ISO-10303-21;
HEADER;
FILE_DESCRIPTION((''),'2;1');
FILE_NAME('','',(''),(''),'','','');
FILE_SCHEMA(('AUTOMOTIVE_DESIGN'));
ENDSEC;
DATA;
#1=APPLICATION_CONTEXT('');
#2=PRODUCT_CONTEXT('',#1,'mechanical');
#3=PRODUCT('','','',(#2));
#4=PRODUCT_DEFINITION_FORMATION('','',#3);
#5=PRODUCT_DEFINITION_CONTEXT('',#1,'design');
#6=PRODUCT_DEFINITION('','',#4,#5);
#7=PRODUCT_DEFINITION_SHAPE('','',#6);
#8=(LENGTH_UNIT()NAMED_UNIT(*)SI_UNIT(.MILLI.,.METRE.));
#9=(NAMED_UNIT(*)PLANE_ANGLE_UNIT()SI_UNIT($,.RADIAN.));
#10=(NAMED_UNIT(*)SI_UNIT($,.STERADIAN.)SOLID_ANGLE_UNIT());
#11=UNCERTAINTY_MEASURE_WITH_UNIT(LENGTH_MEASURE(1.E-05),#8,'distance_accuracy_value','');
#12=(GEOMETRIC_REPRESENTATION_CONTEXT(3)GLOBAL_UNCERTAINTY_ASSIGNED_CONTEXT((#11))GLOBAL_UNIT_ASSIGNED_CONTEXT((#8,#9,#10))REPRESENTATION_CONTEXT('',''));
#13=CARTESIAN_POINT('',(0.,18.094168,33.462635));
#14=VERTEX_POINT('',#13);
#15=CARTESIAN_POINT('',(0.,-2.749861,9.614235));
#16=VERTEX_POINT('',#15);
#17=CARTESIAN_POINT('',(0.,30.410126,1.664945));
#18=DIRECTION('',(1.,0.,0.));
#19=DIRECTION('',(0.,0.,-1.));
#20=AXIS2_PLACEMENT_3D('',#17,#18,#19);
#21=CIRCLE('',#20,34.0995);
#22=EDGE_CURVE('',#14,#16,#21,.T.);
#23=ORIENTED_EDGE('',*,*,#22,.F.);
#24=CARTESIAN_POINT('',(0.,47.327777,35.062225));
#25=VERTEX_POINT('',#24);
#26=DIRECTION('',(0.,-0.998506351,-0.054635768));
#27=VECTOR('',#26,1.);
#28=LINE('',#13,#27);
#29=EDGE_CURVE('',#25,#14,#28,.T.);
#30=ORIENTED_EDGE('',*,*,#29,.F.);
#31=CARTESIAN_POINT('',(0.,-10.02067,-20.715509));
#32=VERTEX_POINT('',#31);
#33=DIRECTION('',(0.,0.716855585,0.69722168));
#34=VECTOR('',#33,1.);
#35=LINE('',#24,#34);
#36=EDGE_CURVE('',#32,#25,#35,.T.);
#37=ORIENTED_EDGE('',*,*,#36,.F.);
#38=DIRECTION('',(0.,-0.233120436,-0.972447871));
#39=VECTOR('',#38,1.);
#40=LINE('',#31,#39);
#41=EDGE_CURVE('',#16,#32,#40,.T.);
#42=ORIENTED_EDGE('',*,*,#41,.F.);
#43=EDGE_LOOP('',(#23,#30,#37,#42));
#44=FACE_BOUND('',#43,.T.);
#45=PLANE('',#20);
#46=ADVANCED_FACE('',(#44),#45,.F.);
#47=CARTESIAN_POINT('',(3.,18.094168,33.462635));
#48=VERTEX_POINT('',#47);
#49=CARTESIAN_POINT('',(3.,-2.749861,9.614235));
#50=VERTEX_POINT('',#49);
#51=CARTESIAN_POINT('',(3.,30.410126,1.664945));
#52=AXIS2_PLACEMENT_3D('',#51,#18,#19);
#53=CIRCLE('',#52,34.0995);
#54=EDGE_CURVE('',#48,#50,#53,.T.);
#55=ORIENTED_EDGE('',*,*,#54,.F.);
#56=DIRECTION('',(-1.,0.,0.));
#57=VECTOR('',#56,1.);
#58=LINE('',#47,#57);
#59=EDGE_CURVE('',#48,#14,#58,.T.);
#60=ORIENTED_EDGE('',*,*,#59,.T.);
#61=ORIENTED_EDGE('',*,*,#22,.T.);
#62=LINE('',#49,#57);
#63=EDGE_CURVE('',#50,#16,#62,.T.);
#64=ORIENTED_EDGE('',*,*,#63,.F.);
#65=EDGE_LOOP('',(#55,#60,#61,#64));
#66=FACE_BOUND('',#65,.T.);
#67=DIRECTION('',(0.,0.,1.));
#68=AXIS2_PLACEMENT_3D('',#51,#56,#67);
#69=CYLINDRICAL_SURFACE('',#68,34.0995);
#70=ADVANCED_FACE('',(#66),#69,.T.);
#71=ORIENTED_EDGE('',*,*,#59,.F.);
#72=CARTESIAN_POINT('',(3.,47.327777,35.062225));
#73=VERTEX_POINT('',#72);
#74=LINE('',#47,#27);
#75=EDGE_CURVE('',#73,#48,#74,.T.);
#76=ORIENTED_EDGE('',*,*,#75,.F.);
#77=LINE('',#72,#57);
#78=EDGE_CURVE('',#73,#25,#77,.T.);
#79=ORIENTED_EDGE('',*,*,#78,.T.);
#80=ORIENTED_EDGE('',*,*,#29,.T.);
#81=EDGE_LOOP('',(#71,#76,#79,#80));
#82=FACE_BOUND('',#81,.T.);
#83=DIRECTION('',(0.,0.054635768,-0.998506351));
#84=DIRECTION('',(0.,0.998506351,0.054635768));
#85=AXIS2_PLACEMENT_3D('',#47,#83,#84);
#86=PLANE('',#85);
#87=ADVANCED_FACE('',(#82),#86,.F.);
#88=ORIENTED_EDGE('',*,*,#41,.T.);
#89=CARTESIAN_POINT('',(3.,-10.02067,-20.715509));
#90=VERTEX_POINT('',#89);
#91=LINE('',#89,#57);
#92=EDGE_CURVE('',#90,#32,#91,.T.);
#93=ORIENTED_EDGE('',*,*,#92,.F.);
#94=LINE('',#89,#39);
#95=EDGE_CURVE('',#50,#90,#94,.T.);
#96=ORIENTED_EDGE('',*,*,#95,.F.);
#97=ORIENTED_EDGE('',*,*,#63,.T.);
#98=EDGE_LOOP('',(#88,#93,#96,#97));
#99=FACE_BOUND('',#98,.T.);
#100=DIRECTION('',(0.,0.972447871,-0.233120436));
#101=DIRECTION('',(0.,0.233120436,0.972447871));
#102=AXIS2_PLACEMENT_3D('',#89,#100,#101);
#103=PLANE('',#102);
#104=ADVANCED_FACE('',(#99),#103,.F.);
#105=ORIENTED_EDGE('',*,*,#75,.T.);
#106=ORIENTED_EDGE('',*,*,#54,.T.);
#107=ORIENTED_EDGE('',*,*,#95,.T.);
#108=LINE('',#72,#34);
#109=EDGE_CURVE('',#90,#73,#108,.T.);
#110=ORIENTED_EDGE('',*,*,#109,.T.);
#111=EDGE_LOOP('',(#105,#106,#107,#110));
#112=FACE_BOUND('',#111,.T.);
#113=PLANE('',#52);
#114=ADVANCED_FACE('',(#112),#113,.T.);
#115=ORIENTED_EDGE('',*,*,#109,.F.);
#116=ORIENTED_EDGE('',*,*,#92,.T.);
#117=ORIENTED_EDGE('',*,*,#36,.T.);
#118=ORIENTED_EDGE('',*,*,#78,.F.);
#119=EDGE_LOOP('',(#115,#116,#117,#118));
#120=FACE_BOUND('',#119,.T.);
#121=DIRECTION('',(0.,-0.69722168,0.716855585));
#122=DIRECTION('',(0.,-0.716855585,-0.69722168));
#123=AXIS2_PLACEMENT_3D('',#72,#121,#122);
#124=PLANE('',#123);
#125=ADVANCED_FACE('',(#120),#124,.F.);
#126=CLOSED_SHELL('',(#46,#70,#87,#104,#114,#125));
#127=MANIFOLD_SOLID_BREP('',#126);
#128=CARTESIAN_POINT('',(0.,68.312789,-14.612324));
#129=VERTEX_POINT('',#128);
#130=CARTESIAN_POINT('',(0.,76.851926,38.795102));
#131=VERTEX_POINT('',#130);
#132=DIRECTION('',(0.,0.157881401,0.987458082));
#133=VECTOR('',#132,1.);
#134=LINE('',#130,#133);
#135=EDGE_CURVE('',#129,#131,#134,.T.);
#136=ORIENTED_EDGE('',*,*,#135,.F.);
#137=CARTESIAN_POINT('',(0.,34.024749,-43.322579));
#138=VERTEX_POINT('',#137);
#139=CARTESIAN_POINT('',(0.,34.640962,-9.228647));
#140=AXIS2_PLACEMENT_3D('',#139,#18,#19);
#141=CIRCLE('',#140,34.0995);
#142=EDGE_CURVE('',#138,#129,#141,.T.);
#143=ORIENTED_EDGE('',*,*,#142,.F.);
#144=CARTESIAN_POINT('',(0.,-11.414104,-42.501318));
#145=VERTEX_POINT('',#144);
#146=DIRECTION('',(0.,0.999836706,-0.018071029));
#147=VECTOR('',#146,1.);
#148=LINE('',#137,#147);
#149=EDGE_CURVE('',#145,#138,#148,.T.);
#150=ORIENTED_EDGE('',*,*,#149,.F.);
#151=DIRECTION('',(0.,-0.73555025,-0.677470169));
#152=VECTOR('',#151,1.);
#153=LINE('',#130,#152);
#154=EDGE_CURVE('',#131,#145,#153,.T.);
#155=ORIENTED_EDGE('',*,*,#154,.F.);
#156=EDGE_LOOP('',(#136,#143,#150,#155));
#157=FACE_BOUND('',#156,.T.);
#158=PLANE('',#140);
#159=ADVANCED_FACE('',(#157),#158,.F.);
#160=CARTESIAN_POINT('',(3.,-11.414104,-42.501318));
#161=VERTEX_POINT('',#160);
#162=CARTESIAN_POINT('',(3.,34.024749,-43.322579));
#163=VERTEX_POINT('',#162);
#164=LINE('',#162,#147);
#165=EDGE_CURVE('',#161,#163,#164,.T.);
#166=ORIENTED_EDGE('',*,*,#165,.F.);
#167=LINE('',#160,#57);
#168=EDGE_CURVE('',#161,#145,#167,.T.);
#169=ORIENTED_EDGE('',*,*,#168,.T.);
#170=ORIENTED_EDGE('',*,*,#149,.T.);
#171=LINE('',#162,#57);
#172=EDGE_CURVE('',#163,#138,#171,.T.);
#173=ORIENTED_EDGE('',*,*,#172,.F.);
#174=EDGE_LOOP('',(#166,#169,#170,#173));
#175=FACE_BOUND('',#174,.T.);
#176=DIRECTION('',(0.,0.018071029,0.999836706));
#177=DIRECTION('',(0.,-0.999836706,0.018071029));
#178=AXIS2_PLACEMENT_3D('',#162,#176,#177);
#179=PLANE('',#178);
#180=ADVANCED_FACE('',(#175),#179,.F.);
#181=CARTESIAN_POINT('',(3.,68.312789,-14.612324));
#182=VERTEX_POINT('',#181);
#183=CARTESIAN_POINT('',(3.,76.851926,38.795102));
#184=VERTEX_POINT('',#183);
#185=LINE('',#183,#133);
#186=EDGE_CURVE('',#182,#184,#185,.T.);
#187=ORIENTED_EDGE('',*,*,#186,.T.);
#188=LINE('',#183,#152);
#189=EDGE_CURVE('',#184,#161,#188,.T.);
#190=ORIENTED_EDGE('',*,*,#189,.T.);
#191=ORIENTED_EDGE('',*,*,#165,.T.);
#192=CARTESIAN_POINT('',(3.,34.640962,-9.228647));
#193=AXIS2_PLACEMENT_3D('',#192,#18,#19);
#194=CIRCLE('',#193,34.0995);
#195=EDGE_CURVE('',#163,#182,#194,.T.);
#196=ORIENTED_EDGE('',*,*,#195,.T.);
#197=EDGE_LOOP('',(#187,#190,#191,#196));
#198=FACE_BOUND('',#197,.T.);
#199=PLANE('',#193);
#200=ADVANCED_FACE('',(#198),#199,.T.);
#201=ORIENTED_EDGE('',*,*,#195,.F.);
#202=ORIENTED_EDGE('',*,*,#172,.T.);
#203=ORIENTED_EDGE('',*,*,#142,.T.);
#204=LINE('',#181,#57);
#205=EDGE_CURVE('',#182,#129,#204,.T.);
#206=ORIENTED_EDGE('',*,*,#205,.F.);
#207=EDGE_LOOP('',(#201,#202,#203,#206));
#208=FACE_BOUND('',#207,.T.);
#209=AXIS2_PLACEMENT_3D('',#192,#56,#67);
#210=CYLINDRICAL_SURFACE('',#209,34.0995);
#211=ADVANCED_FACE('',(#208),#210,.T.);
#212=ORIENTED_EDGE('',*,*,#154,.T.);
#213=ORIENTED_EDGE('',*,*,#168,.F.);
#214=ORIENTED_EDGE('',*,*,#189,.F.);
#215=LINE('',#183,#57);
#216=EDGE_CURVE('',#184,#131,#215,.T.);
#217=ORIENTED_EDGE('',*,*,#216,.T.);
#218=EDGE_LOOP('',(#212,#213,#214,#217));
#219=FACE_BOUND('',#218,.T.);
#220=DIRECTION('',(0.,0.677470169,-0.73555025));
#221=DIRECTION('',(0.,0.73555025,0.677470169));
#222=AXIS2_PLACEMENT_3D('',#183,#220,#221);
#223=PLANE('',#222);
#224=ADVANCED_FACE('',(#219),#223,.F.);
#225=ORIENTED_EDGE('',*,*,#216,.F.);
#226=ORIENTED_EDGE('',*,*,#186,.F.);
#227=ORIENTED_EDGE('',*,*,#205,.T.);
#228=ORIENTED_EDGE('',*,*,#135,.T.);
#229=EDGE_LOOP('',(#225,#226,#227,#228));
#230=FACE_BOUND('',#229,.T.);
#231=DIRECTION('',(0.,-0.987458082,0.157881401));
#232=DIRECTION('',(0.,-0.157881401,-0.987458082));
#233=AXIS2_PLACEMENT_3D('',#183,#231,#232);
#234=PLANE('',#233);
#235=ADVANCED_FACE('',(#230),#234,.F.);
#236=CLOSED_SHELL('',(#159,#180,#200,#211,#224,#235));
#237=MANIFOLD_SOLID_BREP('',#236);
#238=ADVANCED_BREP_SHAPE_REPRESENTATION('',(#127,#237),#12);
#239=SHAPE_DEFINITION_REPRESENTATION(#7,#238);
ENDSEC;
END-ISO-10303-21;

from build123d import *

# Parameters (mm, degrees)
SALIENTE_EXTRUIR1_DEPTH   = 3
SALIENTE_EXTRUIR1_2_DEPTH = 3


with BuildPart() as part:
    # Croquis1 → Saliente-Extruir1 (new body)
    with BuildSketch(Plane(origin=(0, 0, 0), x_dir=(0, 0, -1), z_dir=(1, 0, 0))):
        with BuildLine():
            Line((-38.795102136, 76.851925702), (14.612324216, 68.312789252))
            ThreePointArc((14.612324216, 68.312789252), (35.373203511, 56.532469536), (43.322579124, 34.024749326))
            Line((43.322579124, 34.024749326), (42.501318157, -11.414104273))
            Line((42.501318157, -11.414104273), (-38.795102136, 76.851925702))
        make_face()
    extrude(amount=SALIENTE_EXTRUIR1_DEPTH)


with BuildPart() as body_2:
    # Croquis1 → Saliente-Extruir1 2 (new body)
    with BuildSketch(Plane(origin=(0, 0, 0), x_dir=(0, 0, -1), z_dir=(1, 0, 0))):
        with BuildLine():
            Line((-33.462635017, 18.094168215), (-35.062224892, 47.327776582))
            Line((-35.062224892, 47.327776582), (20.715509479, -10.0206702))
            Line((20.715509479, -10.0206702), (-9.614235223, -2.749860625))
            ThreePointArc((-9.614235223, -2.749860625), (-24.105399402, 4.73519804), (-33.462635017, 18.094168215))
        make_face()
    extrude(amount=SALIENTE_EXTRUIR1_2_DEPTH)


solid = Compound([part.part, body_2.part])
